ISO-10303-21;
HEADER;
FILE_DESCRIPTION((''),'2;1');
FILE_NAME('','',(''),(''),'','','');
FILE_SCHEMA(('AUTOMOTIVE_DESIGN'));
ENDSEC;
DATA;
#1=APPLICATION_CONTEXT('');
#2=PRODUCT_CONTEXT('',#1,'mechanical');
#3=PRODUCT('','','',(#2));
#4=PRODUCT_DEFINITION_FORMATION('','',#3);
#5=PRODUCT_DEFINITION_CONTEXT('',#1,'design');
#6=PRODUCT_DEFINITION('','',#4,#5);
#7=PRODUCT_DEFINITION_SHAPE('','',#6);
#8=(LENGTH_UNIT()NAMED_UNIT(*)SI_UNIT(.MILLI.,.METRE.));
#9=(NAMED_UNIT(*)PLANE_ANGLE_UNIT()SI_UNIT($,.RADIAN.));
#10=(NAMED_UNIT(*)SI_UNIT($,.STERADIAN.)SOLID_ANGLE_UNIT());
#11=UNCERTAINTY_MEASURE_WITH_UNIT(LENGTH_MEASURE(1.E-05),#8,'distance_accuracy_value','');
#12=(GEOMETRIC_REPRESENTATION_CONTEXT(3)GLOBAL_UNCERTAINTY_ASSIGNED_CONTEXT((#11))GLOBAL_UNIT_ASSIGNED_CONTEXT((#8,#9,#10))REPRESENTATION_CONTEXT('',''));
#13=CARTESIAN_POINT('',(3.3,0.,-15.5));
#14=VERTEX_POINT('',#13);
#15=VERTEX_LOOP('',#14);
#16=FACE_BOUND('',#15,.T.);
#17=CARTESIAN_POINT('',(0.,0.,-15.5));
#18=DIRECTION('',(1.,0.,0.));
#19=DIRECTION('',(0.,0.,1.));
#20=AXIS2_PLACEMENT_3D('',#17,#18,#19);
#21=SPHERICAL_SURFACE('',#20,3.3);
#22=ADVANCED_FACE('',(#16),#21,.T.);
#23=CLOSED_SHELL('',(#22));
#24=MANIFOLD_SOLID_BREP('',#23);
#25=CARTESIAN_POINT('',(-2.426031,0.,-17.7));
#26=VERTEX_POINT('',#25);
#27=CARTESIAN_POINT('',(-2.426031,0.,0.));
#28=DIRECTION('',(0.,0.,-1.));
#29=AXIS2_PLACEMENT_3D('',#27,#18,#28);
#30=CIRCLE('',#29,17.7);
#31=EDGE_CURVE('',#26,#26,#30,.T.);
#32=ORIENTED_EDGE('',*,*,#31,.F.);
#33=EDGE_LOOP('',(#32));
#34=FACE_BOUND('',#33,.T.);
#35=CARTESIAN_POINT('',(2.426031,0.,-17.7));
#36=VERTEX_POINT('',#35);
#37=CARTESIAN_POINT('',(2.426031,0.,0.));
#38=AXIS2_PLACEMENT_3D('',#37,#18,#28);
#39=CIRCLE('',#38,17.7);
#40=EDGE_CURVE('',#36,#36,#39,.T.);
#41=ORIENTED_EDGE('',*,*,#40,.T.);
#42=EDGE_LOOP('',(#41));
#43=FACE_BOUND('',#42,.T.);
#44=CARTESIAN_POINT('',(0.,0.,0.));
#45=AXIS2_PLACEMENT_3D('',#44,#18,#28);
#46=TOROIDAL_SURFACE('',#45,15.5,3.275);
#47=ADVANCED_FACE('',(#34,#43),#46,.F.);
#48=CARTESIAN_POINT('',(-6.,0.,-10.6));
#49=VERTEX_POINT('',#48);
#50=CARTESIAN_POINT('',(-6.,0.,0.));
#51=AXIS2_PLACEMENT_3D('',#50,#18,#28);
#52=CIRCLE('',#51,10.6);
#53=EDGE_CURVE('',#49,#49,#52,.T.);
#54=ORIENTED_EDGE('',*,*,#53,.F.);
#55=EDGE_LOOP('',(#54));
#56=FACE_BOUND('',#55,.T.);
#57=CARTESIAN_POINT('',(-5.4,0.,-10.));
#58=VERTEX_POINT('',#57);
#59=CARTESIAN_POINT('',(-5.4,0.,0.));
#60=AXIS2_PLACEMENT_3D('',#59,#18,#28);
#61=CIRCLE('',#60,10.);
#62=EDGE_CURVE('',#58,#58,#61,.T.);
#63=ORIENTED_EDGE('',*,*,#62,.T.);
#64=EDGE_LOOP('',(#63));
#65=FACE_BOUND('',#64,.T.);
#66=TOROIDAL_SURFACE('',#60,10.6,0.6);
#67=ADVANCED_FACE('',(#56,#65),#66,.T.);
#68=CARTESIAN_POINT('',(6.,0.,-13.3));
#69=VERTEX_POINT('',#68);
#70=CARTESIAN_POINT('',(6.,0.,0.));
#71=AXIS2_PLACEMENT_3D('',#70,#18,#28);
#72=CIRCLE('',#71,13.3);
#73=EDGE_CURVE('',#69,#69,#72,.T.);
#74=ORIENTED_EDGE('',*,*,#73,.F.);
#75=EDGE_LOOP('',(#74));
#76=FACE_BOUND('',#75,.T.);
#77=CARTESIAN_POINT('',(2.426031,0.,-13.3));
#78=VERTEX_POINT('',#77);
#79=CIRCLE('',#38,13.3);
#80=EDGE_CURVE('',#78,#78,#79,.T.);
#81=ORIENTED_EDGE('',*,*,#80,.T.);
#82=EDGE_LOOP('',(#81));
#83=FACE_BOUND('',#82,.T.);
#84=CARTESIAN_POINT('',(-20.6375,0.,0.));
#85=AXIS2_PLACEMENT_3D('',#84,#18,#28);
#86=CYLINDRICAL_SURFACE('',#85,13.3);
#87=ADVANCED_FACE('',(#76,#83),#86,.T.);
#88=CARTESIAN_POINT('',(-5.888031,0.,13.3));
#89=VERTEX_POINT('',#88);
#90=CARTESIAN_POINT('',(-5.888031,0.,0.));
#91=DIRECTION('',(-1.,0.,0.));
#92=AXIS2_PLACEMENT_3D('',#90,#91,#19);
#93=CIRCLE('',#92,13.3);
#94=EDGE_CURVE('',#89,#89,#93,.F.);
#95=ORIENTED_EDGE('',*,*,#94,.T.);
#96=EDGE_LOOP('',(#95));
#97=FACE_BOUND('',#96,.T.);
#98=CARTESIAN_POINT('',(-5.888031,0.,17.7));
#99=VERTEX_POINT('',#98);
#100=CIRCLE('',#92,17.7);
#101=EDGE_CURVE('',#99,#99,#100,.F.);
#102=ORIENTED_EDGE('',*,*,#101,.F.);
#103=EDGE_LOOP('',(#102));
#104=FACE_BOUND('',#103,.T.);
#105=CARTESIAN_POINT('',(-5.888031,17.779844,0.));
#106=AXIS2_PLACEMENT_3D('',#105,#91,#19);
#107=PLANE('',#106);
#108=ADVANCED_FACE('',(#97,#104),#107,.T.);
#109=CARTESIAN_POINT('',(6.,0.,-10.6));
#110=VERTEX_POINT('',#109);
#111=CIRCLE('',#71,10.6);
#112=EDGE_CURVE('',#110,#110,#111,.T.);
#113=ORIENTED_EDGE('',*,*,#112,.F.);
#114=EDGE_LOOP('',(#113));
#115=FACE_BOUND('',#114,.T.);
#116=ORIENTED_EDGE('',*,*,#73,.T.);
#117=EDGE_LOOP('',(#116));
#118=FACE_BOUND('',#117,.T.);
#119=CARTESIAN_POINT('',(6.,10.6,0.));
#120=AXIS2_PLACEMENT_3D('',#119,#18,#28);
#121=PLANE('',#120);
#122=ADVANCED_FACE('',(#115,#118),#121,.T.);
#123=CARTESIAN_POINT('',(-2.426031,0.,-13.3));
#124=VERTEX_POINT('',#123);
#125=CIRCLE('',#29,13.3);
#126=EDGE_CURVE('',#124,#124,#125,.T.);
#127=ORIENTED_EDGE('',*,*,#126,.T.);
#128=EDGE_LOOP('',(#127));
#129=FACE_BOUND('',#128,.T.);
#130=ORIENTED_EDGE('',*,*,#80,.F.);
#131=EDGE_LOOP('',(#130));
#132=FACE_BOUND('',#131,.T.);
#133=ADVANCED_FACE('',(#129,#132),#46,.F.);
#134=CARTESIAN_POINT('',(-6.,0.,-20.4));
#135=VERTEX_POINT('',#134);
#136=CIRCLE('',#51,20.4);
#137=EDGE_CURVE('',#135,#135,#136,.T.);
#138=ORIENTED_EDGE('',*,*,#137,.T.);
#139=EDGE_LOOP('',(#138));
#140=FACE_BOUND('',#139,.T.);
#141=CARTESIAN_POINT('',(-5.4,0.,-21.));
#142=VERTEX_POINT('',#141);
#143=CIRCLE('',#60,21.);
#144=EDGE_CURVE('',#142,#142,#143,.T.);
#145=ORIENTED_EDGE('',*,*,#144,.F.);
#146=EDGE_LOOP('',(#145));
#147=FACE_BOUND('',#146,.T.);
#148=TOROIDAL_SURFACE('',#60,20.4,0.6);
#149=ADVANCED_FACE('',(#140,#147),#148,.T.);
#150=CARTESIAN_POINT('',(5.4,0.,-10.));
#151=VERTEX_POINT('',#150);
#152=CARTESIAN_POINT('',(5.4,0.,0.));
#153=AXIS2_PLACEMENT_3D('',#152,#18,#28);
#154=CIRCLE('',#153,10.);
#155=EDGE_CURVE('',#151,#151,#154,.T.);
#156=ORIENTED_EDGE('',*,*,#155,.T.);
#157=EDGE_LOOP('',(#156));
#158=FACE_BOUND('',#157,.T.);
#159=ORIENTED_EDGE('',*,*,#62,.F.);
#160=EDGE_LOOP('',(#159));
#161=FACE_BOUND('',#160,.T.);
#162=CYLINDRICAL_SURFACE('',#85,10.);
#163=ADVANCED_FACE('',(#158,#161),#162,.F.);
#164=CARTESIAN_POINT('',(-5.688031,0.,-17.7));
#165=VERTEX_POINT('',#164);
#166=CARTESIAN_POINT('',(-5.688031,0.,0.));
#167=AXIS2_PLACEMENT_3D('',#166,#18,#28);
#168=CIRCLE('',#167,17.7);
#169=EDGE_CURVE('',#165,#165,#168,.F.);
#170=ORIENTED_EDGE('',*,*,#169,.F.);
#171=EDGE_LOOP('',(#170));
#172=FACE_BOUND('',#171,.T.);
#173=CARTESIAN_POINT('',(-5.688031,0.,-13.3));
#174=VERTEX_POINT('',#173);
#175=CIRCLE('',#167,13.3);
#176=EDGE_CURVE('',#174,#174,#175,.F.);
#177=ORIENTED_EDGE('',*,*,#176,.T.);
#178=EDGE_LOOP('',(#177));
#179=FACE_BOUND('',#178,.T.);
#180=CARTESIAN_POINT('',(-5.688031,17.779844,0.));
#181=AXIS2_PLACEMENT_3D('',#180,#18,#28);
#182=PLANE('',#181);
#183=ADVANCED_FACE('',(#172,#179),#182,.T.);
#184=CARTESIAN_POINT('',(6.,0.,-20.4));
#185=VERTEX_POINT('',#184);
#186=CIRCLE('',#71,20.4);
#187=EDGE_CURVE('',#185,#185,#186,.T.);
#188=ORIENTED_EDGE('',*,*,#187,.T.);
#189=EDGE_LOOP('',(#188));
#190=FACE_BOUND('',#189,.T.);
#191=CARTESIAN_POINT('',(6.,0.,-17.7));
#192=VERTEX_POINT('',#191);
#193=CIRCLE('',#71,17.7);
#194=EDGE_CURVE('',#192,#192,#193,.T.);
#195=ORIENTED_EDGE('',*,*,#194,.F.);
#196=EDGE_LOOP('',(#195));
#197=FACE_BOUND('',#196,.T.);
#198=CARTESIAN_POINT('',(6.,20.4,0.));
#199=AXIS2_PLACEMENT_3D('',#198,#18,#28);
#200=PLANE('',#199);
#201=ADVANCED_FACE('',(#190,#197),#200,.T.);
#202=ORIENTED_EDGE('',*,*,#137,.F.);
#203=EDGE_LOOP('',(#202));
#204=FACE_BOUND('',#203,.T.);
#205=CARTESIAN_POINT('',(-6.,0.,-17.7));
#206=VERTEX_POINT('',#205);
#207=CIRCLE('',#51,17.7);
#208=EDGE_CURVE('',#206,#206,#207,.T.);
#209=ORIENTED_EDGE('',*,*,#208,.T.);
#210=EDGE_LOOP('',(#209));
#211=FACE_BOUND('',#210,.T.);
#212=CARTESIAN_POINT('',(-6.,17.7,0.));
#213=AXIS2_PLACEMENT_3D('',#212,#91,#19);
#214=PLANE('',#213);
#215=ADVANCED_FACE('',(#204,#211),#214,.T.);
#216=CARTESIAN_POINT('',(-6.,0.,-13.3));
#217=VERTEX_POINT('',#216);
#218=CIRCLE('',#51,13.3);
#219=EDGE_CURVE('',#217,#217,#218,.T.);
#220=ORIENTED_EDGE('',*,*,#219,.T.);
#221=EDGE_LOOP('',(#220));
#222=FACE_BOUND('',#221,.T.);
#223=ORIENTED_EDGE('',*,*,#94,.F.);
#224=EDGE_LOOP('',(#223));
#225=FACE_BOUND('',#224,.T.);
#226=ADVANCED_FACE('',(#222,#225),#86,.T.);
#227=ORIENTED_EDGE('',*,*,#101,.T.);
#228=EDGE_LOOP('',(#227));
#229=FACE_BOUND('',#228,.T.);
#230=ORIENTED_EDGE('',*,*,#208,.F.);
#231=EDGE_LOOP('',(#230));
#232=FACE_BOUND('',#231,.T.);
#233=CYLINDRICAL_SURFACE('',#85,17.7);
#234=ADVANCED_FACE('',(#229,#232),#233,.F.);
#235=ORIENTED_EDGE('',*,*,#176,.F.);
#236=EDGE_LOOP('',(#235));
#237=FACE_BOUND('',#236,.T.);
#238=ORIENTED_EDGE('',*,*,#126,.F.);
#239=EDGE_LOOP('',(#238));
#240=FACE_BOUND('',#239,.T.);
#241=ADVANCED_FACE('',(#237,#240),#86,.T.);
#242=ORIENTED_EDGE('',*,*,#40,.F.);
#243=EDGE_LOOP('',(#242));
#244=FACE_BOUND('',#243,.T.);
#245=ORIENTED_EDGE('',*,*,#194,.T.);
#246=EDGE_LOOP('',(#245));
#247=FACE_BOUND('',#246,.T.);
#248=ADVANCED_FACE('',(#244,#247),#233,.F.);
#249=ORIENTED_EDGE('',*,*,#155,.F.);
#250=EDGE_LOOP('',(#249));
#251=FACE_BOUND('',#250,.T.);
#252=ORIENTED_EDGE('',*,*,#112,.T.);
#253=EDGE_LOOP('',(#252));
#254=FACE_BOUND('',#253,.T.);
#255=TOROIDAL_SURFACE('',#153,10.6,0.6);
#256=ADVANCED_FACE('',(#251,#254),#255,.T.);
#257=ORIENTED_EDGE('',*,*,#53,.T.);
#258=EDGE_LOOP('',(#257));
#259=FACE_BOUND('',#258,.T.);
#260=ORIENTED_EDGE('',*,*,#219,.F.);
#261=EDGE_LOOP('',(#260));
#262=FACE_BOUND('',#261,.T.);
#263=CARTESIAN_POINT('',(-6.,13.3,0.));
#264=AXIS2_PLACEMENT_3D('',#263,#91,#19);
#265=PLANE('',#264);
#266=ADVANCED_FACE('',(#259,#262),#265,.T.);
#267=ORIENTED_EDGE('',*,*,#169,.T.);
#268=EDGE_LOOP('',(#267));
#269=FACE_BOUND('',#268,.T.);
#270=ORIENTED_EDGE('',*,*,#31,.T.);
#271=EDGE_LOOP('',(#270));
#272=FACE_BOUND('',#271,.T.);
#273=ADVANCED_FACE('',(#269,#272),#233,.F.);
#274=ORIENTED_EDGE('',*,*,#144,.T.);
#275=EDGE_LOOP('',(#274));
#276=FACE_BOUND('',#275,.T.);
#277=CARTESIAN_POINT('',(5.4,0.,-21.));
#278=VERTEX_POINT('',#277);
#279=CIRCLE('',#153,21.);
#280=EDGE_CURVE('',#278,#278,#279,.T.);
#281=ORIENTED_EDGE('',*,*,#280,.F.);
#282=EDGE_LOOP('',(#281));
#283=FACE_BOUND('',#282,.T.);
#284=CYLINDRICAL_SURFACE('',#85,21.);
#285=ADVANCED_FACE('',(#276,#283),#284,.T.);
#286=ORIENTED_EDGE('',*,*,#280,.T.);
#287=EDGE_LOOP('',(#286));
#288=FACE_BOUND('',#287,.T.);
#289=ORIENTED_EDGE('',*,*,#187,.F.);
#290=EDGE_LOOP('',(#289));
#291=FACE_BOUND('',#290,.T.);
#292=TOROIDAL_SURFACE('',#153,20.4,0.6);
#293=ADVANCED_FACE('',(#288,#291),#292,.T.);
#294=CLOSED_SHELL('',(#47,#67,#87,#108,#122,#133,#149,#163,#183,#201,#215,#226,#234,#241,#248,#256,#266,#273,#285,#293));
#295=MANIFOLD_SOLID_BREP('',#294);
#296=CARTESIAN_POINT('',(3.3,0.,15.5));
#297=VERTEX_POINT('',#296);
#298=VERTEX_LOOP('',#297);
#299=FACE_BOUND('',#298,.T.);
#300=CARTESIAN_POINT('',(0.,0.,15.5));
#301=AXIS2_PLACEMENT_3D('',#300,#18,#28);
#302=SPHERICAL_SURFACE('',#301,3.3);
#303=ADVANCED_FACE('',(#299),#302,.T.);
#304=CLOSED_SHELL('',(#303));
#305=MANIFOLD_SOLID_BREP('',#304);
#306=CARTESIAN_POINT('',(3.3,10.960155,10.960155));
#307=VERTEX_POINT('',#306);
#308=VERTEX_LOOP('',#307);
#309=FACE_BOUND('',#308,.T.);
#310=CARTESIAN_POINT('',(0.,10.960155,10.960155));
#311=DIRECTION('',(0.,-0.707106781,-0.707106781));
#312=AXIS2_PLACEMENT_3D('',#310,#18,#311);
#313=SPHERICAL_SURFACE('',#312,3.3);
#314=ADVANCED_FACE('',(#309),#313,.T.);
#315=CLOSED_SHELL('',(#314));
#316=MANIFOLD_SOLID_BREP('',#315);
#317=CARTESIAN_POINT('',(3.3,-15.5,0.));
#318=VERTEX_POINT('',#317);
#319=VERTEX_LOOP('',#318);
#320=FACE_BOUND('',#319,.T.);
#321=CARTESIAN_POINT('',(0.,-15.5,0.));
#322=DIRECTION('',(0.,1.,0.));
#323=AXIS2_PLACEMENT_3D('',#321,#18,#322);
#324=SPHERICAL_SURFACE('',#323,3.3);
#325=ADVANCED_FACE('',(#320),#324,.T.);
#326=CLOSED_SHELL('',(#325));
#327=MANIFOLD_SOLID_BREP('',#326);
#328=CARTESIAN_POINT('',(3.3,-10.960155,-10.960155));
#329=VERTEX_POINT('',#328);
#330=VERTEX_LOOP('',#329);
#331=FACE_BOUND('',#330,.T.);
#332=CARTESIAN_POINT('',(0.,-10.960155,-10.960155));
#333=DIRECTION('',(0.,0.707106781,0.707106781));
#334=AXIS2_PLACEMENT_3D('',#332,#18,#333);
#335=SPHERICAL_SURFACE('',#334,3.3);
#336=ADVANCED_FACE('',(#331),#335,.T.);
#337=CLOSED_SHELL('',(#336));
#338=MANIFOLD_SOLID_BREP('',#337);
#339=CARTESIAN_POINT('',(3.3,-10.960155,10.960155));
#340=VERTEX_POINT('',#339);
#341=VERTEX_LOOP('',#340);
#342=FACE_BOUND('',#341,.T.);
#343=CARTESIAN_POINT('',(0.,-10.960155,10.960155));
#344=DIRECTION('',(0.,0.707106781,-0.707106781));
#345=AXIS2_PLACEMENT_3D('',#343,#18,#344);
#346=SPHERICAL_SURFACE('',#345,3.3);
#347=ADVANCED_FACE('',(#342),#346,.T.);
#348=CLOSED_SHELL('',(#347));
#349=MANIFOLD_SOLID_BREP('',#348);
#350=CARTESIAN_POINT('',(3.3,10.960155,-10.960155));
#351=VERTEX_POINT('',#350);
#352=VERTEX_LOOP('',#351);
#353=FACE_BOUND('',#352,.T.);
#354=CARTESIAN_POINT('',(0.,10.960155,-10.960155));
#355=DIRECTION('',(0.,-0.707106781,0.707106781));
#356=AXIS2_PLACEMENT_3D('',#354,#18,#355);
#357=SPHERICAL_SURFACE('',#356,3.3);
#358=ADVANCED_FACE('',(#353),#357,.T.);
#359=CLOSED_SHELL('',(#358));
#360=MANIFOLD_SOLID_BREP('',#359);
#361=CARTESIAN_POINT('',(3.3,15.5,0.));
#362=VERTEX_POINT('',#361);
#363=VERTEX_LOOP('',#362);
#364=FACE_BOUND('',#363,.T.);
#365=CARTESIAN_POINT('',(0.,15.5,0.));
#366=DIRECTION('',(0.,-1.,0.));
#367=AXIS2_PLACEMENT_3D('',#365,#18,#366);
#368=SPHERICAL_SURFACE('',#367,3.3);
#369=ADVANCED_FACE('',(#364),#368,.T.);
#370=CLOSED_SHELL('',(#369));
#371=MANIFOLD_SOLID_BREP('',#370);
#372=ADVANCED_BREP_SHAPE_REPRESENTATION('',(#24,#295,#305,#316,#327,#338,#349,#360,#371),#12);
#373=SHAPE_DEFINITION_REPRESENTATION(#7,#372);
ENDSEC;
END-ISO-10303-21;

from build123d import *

# Parameters (mm, degrees)
R_P_TITION_CIRCULAIRE1_COUNT = 8
ESQUISSE1_W                  = 0.2
ESQUISSE1_H                  = 4.494773444


with BuildPart() as part:
    # BalDetSke → BallDetailed (revolve)
    with BuildSketch(Plane.XY):
        with BuildLine():
            Line((-3.3, 15.5), (3.3, 15.5))
            ThreePointArc((3.3, 15.5), (0, 12.2), (-3.3, 15.5))
        make_face()
    revolve(axis=Axis((-1.905, 15.5, 0), (1, 0, 0)))


with BuildPart() as body_2:
    # InnRacSke → InnerRace (revolve)
    with BuildSketch(Plane.XY):
        with BuildLine():
            Line((-2.426030709, 13.3), (-6, 13.3))
            Line((-6, 13.3), (-6, 10.6))
            ThreePointArc((-6, 10.6), (-5.824264069, 10.175735931), (-5.4, 10))
            Line((-5.4, 10), (5.4, 10))
            ThreePointArc((5.4, 10), (5.824264069, 10.175735931), (6, 10.6))
            Line((6, 10.6), (6, 13.3))
            Line((6, 13.3), (2.426030709, 13.3))
            ThreePointArc((2.426030709, 13.3), (0, 12.225), (-2.426030709, 13.3))
        make_face()
    revolve(axis=Axis((-20.6375, 0, 0), (1, 0, 0)))



with BuildPart() as body_3:
    # OutRacSke → OuterRace (revolve)
    with BuildSketch(Plane.XY):
        with BuildLine():
            Line((-2.426030709, 17.7), (-6, 17.7))
            Line((-6, 17.7), (-6, 20.4))
            ThreePointArc((-6, 20.4), (-5.824264069, 20.824264069), (-5.4, 21))
            Line((-5.4, 21), (5.4, 21))
            ThreePointArc((5.4, 21), (5.824264069, 20.824264069), (6, 20.4))
            Line((6, 20.4), (6, 17.7))
            Line((6, 17.7), (2.426030709, 17.7))
            ThreePointArc((2.426030709, 17.7), (0, 18.775), (-2.426030709, 17.7))
        make_face()
    revolve(axis=Axis((-20.6375, 0, 0), (1, 0, 0)))


with BuildPart() as r_p_tition_circulaire1_1:
    # Répétition circulaire1: pattern copy
    add(part.part.rotate(Axis((-20.6375, 0, 0), (1, 0, 0)), 1 * 360 / R_P_TITION_CIRCULAIRE1_COUNT))


with BuildPart() as r_p_tition_circulaire1_2:
    # Répétition circulaire1: pattern copy
    add(part.part.rotate(Axis((-20.6375, 0, 0), (1, 0, 0)), 2 * 360 / R_P_TITION_CIRCULAIRE1_COUNT))


with BuildPart() as r_p_tition_circulaire1_3:
    # Répétition circulaire1: pattern copy
    add(part.part.rotate(Axis((-20.6375, 0, 0), (1, 0, 0)), 3 * 360 / R_P_TITION_CIRCULAIRE1_COUNT))


with BuildPart() as r_p_tition_circulaire1_4:
    # Répétition circulaire1: pattern copy
    add(part.part.rotate(Axis((-20.6375, 0, 0), (1, 0, 0)), 4 * 360 / R_P_TITION_CIRCULAIRE1_COUNT))


with BuildPart() as r_p_tition_circulaire1_5:
    # Répétition circulaire1: pattern copy
    add(part.part.rotate(Axis((-20.6375, 0, 0), (1, 0, 0)), 5 * 360 / R_P_TITION_CIRCULAIRE1_COUNT))


with BuildPart() as r_p_tition_circulaire1_6:
    # Répétition circulaire1: pattern copy
    add(part.part.rotate(Axis((-20.6375, 0, 0), (1, 0, 0)), 6 * 360 / R_P_TITION_CIRCULAIRE1_COUNT))


with BuildPart() as r_p_tition_circulaire1_7:
    # Répétition circulaire1: pattern copy
    add(part.part.rotate(Axis((-20.6375, 0, 0), (1, 0, 0)), 7 * 360 / R_P_TITION_CIRCULAIRE1_COUNT))


with BuildPart() as body_2_1:
    add(body_2.part)

    add(body_3.part)  # Révolution1 merges body 3
    # Esquisse1 → Révolution1 (revolve)
    with BuildSketch(Plane.XY):
        with Locations((-5.788030791, 15.532457288)):
            Rectangle(ESQUISSE1_W, ESQUISSE1_H)
    revolve(axis=Axis((-20.6375, 0, 0), (1, 0, 0)))


solid = Compound([part.part, r_p_tition_circulaire1_1.part, r_p_tition_circulaire1_2.part, r_p_tition_circulaire1_3.part, r_p_tition_circulaire1_4.part, r_p_tition_circulaire1_5.part, r_p_tition_circulaire1_6.part, r_p_tition_circulaire1_7.part, body_2_1.part])
